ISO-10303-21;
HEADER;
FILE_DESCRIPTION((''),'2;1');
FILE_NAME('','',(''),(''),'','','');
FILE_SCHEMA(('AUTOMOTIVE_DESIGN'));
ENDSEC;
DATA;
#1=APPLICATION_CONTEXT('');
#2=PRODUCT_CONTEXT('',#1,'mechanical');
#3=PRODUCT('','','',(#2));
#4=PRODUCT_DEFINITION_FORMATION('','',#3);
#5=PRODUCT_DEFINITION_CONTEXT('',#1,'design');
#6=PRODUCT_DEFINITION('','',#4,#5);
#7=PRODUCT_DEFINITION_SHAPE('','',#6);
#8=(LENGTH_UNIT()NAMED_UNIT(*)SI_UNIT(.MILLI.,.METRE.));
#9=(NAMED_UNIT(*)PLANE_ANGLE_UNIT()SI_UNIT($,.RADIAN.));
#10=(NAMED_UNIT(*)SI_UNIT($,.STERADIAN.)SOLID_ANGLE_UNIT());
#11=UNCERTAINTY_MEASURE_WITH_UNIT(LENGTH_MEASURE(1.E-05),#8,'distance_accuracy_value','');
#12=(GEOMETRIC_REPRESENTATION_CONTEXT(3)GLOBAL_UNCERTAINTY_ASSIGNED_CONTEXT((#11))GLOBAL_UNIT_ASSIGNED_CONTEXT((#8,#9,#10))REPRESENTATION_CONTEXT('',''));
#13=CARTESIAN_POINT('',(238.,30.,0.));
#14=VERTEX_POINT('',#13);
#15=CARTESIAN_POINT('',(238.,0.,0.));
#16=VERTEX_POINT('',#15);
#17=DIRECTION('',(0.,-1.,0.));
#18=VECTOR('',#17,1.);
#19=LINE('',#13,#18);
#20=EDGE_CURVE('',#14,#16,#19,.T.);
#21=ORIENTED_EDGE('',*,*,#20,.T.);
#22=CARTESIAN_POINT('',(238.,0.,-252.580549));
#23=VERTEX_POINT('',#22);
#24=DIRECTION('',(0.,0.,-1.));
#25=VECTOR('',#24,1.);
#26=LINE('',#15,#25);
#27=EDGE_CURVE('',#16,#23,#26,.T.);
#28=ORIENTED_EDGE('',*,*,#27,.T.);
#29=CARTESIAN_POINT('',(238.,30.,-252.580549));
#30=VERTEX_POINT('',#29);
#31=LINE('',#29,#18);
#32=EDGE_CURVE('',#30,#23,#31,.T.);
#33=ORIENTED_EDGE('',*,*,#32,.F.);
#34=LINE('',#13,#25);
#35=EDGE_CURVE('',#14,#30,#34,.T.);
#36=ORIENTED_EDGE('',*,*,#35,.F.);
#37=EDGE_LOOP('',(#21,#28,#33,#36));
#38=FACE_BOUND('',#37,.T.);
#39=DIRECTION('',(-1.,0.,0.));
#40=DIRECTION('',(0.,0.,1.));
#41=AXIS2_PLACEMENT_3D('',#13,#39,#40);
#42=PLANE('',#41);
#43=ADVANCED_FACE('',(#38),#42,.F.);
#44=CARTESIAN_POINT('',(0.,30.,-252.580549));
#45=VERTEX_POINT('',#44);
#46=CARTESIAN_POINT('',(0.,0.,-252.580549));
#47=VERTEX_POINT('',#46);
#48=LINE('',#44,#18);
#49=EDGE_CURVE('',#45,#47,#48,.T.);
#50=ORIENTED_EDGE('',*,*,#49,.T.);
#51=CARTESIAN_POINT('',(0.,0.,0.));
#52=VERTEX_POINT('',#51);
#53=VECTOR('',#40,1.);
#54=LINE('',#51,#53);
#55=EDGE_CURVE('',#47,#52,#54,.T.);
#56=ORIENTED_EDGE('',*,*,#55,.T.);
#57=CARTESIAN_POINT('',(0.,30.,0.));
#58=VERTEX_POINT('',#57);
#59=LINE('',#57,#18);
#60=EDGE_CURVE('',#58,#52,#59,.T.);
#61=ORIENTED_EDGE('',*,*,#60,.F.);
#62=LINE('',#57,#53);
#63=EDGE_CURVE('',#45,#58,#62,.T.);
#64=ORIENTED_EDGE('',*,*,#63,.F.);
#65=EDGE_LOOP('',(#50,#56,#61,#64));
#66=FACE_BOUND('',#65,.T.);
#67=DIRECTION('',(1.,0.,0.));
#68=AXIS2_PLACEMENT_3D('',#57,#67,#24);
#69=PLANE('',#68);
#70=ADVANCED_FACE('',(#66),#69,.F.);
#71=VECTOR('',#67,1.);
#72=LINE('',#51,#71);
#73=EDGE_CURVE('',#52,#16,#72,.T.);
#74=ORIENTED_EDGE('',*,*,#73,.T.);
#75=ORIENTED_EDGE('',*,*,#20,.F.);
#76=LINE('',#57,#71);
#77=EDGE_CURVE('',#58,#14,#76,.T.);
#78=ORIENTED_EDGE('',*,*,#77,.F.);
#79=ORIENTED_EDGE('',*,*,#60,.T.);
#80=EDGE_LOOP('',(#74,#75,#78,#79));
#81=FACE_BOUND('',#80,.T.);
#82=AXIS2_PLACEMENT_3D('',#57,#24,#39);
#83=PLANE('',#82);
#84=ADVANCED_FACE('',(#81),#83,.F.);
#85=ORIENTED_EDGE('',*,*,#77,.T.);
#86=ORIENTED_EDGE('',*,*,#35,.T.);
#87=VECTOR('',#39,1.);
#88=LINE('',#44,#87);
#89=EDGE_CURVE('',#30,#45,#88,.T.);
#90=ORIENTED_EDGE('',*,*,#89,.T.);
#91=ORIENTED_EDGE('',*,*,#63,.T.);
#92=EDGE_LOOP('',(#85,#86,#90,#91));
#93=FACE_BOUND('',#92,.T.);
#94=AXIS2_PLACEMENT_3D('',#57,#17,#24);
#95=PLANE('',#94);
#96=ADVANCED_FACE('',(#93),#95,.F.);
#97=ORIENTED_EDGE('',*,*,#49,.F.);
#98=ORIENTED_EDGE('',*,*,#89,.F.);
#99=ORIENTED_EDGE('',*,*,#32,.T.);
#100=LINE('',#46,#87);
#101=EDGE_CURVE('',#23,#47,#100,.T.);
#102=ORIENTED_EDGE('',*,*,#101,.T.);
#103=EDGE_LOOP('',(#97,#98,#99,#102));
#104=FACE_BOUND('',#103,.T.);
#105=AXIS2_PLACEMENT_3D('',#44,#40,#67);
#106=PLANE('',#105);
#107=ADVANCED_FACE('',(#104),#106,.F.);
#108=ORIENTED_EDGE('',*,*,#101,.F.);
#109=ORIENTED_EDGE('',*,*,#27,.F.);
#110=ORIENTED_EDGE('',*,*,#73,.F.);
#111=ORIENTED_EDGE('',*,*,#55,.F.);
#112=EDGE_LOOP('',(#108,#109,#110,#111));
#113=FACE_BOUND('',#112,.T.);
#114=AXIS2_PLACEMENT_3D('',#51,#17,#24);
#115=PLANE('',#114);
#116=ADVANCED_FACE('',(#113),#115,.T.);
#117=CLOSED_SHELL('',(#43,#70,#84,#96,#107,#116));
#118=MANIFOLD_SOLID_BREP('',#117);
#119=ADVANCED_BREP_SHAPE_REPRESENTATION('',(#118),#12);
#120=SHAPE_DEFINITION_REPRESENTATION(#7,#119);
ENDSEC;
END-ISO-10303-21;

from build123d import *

# Parameters (mm, degrees)
SKETCH_1_W      = 238
SKETCH_1_H      = 252.580549317
EXTRUDE_1_DEPTH = 30


with BuildPart() as part:
    # Эскиз1 → Бобышка-Вытянуть1 (new body)
    with BuildSketch(Plane(origin=(0, 0, 0), x_dir=(1, 0, 0), z_dir=(0, 1, 0))):
        with Locations((119, 126.290274659)):
            Rectangle(SKETCH_1_W, SKETCH_1_H)
    extrude(amount=EXTRUDE_1_DEPTH)


solid = part.part
